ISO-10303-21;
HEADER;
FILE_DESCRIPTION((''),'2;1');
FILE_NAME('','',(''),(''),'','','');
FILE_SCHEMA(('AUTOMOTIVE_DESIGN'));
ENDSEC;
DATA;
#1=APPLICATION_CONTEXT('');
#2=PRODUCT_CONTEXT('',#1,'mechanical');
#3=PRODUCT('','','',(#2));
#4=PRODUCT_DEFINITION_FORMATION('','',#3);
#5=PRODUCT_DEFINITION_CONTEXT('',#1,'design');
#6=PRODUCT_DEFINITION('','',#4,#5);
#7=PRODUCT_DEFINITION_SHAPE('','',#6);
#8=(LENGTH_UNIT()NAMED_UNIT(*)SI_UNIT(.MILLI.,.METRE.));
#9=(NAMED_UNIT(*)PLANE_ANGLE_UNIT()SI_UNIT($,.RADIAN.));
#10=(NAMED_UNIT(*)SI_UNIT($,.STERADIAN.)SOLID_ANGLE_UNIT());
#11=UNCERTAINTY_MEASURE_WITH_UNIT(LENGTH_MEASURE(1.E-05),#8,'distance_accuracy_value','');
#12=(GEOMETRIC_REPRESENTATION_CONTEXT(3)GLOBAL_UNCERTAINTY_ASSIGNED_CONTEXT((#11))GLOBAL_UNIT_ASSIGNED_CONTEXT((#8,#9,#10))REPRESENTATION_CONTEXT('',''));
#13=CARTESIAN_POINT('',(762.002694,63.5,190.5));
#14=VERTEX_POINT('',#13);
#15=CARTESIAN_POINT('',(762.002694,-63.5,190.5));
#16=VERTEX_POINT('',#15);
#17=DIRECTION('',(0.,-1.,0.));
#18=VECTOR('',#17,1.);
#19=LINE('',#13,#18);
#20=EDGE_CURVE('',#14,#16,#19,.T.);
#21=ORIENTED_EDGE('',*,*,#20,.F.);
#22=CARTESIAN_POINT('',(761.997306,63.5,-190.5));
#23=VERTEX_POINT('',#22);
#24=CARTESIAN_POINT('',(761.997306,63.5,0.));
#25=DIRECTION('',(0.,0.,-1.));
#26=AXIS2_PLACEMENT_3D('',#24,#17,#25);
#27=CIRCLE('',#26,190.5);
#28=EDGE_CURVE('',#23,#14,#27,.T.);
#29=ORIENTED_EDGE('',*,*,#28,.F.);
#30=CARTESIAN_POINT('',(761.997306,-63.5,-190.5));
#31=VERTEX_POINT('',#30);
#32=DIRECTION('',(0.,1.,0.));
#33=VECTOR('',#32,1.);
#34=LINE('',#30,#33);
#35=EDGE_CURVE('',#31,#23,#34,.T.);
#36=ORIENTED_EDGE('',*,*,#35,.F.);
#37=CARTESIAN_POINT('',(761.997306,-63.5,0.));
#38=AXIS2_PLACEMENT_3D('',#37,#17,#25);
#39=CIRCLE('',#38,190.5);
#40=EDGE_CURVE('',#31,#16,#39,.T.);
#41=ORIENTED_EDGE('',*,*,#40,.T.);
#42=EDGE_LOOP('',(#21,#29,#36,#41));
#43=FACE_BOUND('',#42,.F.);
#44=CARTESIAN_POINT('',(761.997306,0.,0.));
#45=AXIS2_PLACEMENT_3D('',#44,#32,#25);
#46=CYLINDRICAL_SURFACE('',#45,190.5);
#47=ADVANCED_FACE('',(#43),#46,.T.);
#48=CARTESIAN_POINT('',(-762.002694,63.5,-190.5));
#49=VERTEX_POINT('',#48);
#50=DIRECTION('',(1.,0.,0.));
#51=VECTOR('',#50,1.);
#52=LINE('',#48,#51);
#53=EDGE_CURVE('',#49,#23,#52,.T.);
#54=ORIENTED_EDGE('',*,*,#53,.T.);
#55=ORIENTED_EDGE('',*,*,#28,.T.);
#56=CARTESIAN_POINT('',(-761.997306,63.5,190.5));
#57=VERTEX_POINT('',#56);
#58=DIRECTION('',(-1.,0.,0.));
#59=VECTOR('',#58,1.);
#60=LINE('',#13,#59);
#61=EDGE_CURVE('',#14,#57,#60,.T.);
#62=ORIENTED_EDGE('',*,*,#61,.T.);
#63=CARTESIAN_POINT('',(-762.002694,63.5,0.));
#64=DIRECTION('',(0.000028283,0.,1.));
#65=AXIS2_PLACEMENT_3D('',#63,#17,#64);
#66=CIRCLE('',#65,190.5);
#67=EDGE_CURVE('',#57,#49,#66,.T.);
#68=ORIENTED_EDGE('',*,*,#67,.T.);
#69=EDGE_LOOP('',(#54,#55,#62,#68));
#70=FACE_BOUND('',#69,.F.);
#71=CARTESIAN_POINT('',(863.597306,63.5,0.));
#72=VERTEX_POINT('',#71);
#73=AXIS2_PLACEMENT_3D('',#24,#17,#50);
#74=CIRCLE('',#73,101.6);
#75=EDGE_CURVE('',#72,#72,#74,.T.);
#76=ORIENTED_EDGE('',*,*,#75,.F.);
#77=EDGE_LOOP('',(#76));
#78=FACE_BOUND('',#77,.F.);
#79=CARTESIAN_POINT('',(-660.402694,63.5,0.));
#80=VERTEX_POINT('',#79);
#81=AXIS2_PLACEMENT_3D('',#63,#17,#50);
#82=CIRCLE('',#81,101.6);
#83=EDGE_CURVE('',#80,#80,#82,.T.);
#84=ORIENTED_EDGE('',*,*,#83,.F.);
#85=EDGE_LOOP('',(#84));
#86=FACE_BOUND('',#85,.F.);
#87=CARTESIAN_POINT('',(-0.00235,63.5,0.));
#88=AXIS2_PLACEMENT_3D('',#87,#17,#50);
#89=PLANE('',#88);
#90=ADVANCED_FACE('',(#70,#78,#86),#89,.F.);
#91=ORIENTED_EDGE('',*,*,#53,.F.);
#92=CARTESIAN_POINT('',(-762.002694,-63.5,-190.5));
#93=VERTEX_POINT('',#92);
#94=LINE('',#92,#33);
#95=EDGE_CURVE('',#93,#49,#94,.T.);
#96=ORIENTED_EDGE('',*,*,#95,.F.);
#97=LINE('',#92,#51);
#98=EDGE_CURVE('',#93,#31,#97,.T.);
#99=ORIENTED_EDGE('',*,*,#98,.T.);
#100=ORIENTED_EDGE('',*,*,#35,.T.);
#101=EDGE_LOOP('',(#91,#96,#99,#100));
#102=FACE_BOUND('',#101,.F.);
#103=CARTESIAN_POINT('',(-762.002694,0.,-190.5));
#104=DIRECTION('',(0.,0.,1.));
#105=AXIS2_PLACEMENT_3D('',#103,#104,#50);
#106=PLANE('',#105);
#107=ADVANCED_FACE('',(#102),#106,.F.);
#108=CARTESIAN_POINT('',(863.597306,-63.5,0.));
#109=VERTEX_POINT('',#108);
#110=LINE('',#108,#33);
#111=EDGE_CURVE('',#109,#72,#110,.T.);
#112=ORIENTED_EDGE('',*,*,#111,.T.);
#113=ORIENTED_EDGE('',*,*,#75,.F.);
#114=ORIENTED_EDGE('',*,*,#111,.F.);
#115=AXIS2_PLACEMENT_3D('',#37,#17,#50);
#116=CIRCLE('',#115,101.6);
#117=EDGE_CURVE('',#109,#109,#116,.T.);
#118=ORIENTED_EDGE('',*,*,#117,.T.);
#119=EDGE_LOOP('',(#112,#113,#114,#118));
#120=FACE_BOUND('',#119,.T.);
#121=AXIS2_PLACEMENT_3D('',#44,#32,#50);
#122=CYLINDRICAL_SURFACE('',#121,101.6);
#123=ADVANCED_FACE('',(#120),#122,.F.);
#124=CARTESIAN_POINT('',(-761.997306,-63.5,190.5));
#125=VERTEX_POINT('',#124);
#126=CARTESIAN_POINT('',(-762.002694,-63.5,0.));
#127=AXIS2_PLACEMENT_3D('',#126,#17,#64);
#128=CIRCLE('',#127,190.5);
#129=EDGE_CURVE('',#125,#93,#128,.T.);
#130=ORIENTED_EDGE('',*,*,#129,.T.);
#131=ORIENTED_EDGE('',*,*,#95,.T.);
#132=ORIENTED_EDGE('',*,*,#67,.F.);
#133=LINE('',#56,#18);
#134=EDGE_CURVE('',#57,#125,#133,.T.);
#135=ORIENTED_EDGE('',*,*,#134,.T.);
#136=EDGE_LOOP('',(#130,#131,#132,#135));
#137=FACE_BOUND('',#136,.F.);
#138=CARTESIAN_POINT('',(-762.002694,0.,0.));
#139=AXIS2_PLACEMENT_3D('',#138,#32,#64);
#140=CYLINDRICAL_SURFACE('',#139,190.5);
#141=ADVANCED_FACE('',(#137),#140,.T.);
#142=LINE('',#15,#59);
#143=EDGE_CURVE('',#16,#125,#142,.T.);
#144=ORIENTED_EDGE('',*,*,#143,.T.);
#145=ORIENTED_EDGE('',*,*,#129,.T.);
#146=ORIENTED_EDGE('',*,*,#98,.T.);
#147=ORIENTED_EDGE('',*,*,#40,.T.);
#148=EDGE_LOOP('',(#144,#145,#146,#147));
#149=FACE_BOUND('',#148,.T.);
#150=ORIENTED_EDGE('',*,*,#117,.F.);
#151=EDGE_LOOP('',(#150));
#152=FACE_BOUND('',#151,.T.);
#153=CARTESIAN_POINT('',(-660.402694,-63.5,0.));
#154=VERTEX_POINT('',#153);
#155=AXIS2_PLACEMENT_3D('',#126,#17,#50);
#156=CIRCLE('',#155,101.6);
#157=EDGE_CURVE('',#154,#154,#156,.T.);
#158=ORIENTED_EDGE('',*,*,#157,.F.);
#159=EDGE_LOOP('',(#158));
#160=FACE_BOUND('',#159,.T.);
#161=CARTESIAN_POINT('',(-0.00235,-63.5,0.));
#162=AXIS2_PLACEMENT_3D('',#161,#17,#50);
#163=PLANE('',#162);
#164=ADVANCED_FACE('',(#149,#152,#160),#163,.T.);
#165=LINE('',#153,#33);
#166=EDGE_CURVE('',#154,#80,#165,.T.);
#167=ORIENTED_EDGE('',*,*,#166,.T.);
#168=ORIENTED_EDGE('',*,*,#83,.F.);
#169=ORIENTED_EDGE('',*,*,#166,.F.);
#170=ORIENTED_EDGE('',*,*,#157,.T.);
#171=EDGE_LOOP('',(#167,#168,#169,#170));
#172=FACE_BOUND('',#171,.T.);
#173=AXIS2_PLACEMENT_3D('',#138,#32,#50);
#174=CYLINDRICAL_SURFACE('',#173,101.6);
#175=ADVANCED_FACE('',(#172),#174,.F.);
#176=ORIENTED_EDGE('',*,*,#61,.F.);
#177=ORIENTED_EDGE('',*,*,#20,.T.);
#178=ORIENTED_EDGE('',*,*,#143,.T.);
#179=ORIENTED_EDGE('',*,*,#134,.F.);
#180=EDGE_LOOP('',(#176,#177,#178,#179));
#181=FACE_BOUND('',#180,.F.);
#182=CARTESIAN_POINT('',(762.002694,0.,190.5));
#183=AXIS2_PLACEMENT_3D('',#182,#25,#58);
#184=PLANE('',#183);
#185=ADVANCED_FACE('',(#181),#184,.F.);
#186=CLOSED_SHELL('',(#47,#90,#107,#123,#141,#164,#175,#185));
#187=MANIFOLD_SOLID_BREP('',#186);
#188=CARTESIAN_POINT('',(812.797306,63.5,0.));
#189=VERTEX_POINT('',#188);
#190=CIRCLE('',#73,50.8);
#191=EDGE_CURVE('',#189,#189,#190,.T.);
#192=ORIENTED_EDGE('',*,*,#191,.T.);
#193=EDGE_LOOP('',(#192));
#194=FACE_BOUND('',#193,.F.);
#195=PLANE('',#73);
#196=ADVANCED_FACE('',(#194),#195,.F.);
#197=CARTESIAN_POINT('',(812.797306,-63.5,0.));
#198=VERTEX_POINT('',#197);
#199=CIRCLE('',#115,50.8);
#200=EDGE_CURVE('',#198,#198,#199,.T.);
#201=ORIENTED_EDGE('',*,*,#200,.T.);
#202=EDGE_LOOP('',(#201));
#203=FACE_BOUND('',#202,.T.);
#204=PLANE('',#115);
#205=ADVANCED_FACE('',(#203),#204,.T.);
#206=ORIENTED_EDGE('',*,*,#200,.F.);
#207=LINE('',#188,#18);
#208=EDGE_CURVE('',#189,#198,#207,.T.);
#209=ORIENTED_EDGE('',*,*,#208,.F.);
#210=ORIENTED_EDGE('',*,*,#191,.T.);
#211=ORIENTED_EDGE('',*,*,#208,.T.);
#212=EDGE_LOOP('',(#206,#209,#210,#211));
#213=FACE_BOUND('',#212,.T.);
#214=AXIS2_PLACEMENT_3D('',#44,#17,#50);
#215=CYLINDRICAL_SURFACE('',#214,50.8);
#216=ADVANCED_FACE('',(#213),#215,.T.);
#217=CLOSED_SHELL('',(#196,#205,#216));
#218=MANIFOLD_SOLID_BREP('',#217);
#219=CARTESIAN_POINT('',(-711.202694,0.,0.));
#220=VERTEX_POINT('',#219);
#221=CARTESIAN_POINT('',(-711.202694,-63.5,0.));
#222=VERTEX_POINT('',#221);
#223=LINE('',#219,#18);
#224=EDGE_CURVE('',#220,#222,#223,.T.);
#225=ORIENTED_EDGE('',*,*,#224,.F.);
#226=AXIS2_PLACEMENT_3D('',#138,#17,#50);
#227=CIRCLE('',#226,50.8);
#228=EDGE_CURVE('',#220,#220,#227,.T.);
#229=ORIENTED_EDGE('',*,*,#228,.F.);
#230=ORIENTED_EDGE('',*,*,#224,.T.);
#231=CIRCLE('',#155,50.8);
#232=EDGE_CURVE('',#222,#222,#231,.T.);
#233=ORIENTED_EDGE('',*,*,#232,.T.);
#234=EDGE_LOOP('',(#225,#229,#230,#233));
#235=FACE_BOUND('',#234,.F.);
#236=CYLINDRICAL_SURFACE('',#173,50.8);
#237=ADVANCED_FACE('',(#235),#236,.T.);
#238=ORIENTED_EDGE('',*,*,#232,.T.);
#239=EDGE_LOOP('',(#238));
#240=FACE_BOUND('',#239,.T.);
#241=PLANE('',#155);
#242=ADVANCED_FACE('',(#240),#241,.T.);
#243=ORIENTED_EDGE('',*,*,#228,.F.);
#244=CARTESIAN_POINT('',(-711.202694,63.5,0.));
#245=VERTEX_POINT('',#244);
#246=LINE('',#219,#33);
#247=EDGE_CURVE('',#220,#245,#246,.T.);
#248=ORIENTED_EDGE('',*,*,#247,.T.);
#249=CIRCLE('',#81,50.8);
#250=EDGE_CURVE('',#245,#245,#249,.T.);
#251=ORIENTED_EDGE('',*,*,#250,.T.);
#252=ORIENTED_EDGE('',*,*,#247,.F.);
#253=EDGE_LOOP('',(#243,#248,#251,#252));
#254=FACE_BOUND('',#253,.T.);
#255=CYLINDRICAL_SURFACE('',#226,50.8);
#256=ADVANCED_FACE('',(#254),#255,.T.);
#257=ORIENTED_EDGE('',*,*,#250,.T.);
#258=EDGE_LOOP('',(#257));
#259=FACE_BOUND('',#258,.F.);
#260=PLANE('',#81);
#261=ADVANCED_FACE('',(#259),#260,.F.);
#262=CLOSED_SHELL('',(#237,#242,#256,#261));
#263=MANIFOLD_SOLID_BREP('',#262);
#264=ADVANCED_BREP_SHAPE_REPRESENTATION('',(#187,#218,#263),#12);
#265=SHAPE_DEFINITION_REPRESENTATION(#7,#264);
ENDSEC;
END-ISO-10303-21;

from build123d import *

# Parameters (mm, degrees)
F0_R     = 101.6
F0_R_2   = 50.8
F1_DEPTH = 63.5


with BuildPart() as f1:
    # F0 (on Front) → F1 (new body, symmetric)
    with BuildSketch(Plane.XZ):
        with BuildLine():
            ThreePointArc((761.997306, -190.5), (952.497306, -0.002694), (762.002694, 190.5))
            Line((762.002694, 190.5), (-761.997306, 190.5))
            ThreePointArc((-761.997306, 190.5), (-952.502694, 0.002694), (-762.002694, -190.5))
            Line((-762.002694, -190.5), (761.997306, -190.5))
        make_face()
        with Locations((-762.002694, 0)):
            Circle(F0_R, mode=Mode.SUBTRACT)
        with Locations((761.997306, 0)):
            Circle(F0_R, mode=Mode.SUBTRACT)
        with Locations((-762.002694, 0)):
            Circle(F0_R_2)
        with Locations((761.997306, 0)):
            Circle(F0_R_2)
    extrude(amount=F1_DEPTH, both=True)


solid = f1.part
